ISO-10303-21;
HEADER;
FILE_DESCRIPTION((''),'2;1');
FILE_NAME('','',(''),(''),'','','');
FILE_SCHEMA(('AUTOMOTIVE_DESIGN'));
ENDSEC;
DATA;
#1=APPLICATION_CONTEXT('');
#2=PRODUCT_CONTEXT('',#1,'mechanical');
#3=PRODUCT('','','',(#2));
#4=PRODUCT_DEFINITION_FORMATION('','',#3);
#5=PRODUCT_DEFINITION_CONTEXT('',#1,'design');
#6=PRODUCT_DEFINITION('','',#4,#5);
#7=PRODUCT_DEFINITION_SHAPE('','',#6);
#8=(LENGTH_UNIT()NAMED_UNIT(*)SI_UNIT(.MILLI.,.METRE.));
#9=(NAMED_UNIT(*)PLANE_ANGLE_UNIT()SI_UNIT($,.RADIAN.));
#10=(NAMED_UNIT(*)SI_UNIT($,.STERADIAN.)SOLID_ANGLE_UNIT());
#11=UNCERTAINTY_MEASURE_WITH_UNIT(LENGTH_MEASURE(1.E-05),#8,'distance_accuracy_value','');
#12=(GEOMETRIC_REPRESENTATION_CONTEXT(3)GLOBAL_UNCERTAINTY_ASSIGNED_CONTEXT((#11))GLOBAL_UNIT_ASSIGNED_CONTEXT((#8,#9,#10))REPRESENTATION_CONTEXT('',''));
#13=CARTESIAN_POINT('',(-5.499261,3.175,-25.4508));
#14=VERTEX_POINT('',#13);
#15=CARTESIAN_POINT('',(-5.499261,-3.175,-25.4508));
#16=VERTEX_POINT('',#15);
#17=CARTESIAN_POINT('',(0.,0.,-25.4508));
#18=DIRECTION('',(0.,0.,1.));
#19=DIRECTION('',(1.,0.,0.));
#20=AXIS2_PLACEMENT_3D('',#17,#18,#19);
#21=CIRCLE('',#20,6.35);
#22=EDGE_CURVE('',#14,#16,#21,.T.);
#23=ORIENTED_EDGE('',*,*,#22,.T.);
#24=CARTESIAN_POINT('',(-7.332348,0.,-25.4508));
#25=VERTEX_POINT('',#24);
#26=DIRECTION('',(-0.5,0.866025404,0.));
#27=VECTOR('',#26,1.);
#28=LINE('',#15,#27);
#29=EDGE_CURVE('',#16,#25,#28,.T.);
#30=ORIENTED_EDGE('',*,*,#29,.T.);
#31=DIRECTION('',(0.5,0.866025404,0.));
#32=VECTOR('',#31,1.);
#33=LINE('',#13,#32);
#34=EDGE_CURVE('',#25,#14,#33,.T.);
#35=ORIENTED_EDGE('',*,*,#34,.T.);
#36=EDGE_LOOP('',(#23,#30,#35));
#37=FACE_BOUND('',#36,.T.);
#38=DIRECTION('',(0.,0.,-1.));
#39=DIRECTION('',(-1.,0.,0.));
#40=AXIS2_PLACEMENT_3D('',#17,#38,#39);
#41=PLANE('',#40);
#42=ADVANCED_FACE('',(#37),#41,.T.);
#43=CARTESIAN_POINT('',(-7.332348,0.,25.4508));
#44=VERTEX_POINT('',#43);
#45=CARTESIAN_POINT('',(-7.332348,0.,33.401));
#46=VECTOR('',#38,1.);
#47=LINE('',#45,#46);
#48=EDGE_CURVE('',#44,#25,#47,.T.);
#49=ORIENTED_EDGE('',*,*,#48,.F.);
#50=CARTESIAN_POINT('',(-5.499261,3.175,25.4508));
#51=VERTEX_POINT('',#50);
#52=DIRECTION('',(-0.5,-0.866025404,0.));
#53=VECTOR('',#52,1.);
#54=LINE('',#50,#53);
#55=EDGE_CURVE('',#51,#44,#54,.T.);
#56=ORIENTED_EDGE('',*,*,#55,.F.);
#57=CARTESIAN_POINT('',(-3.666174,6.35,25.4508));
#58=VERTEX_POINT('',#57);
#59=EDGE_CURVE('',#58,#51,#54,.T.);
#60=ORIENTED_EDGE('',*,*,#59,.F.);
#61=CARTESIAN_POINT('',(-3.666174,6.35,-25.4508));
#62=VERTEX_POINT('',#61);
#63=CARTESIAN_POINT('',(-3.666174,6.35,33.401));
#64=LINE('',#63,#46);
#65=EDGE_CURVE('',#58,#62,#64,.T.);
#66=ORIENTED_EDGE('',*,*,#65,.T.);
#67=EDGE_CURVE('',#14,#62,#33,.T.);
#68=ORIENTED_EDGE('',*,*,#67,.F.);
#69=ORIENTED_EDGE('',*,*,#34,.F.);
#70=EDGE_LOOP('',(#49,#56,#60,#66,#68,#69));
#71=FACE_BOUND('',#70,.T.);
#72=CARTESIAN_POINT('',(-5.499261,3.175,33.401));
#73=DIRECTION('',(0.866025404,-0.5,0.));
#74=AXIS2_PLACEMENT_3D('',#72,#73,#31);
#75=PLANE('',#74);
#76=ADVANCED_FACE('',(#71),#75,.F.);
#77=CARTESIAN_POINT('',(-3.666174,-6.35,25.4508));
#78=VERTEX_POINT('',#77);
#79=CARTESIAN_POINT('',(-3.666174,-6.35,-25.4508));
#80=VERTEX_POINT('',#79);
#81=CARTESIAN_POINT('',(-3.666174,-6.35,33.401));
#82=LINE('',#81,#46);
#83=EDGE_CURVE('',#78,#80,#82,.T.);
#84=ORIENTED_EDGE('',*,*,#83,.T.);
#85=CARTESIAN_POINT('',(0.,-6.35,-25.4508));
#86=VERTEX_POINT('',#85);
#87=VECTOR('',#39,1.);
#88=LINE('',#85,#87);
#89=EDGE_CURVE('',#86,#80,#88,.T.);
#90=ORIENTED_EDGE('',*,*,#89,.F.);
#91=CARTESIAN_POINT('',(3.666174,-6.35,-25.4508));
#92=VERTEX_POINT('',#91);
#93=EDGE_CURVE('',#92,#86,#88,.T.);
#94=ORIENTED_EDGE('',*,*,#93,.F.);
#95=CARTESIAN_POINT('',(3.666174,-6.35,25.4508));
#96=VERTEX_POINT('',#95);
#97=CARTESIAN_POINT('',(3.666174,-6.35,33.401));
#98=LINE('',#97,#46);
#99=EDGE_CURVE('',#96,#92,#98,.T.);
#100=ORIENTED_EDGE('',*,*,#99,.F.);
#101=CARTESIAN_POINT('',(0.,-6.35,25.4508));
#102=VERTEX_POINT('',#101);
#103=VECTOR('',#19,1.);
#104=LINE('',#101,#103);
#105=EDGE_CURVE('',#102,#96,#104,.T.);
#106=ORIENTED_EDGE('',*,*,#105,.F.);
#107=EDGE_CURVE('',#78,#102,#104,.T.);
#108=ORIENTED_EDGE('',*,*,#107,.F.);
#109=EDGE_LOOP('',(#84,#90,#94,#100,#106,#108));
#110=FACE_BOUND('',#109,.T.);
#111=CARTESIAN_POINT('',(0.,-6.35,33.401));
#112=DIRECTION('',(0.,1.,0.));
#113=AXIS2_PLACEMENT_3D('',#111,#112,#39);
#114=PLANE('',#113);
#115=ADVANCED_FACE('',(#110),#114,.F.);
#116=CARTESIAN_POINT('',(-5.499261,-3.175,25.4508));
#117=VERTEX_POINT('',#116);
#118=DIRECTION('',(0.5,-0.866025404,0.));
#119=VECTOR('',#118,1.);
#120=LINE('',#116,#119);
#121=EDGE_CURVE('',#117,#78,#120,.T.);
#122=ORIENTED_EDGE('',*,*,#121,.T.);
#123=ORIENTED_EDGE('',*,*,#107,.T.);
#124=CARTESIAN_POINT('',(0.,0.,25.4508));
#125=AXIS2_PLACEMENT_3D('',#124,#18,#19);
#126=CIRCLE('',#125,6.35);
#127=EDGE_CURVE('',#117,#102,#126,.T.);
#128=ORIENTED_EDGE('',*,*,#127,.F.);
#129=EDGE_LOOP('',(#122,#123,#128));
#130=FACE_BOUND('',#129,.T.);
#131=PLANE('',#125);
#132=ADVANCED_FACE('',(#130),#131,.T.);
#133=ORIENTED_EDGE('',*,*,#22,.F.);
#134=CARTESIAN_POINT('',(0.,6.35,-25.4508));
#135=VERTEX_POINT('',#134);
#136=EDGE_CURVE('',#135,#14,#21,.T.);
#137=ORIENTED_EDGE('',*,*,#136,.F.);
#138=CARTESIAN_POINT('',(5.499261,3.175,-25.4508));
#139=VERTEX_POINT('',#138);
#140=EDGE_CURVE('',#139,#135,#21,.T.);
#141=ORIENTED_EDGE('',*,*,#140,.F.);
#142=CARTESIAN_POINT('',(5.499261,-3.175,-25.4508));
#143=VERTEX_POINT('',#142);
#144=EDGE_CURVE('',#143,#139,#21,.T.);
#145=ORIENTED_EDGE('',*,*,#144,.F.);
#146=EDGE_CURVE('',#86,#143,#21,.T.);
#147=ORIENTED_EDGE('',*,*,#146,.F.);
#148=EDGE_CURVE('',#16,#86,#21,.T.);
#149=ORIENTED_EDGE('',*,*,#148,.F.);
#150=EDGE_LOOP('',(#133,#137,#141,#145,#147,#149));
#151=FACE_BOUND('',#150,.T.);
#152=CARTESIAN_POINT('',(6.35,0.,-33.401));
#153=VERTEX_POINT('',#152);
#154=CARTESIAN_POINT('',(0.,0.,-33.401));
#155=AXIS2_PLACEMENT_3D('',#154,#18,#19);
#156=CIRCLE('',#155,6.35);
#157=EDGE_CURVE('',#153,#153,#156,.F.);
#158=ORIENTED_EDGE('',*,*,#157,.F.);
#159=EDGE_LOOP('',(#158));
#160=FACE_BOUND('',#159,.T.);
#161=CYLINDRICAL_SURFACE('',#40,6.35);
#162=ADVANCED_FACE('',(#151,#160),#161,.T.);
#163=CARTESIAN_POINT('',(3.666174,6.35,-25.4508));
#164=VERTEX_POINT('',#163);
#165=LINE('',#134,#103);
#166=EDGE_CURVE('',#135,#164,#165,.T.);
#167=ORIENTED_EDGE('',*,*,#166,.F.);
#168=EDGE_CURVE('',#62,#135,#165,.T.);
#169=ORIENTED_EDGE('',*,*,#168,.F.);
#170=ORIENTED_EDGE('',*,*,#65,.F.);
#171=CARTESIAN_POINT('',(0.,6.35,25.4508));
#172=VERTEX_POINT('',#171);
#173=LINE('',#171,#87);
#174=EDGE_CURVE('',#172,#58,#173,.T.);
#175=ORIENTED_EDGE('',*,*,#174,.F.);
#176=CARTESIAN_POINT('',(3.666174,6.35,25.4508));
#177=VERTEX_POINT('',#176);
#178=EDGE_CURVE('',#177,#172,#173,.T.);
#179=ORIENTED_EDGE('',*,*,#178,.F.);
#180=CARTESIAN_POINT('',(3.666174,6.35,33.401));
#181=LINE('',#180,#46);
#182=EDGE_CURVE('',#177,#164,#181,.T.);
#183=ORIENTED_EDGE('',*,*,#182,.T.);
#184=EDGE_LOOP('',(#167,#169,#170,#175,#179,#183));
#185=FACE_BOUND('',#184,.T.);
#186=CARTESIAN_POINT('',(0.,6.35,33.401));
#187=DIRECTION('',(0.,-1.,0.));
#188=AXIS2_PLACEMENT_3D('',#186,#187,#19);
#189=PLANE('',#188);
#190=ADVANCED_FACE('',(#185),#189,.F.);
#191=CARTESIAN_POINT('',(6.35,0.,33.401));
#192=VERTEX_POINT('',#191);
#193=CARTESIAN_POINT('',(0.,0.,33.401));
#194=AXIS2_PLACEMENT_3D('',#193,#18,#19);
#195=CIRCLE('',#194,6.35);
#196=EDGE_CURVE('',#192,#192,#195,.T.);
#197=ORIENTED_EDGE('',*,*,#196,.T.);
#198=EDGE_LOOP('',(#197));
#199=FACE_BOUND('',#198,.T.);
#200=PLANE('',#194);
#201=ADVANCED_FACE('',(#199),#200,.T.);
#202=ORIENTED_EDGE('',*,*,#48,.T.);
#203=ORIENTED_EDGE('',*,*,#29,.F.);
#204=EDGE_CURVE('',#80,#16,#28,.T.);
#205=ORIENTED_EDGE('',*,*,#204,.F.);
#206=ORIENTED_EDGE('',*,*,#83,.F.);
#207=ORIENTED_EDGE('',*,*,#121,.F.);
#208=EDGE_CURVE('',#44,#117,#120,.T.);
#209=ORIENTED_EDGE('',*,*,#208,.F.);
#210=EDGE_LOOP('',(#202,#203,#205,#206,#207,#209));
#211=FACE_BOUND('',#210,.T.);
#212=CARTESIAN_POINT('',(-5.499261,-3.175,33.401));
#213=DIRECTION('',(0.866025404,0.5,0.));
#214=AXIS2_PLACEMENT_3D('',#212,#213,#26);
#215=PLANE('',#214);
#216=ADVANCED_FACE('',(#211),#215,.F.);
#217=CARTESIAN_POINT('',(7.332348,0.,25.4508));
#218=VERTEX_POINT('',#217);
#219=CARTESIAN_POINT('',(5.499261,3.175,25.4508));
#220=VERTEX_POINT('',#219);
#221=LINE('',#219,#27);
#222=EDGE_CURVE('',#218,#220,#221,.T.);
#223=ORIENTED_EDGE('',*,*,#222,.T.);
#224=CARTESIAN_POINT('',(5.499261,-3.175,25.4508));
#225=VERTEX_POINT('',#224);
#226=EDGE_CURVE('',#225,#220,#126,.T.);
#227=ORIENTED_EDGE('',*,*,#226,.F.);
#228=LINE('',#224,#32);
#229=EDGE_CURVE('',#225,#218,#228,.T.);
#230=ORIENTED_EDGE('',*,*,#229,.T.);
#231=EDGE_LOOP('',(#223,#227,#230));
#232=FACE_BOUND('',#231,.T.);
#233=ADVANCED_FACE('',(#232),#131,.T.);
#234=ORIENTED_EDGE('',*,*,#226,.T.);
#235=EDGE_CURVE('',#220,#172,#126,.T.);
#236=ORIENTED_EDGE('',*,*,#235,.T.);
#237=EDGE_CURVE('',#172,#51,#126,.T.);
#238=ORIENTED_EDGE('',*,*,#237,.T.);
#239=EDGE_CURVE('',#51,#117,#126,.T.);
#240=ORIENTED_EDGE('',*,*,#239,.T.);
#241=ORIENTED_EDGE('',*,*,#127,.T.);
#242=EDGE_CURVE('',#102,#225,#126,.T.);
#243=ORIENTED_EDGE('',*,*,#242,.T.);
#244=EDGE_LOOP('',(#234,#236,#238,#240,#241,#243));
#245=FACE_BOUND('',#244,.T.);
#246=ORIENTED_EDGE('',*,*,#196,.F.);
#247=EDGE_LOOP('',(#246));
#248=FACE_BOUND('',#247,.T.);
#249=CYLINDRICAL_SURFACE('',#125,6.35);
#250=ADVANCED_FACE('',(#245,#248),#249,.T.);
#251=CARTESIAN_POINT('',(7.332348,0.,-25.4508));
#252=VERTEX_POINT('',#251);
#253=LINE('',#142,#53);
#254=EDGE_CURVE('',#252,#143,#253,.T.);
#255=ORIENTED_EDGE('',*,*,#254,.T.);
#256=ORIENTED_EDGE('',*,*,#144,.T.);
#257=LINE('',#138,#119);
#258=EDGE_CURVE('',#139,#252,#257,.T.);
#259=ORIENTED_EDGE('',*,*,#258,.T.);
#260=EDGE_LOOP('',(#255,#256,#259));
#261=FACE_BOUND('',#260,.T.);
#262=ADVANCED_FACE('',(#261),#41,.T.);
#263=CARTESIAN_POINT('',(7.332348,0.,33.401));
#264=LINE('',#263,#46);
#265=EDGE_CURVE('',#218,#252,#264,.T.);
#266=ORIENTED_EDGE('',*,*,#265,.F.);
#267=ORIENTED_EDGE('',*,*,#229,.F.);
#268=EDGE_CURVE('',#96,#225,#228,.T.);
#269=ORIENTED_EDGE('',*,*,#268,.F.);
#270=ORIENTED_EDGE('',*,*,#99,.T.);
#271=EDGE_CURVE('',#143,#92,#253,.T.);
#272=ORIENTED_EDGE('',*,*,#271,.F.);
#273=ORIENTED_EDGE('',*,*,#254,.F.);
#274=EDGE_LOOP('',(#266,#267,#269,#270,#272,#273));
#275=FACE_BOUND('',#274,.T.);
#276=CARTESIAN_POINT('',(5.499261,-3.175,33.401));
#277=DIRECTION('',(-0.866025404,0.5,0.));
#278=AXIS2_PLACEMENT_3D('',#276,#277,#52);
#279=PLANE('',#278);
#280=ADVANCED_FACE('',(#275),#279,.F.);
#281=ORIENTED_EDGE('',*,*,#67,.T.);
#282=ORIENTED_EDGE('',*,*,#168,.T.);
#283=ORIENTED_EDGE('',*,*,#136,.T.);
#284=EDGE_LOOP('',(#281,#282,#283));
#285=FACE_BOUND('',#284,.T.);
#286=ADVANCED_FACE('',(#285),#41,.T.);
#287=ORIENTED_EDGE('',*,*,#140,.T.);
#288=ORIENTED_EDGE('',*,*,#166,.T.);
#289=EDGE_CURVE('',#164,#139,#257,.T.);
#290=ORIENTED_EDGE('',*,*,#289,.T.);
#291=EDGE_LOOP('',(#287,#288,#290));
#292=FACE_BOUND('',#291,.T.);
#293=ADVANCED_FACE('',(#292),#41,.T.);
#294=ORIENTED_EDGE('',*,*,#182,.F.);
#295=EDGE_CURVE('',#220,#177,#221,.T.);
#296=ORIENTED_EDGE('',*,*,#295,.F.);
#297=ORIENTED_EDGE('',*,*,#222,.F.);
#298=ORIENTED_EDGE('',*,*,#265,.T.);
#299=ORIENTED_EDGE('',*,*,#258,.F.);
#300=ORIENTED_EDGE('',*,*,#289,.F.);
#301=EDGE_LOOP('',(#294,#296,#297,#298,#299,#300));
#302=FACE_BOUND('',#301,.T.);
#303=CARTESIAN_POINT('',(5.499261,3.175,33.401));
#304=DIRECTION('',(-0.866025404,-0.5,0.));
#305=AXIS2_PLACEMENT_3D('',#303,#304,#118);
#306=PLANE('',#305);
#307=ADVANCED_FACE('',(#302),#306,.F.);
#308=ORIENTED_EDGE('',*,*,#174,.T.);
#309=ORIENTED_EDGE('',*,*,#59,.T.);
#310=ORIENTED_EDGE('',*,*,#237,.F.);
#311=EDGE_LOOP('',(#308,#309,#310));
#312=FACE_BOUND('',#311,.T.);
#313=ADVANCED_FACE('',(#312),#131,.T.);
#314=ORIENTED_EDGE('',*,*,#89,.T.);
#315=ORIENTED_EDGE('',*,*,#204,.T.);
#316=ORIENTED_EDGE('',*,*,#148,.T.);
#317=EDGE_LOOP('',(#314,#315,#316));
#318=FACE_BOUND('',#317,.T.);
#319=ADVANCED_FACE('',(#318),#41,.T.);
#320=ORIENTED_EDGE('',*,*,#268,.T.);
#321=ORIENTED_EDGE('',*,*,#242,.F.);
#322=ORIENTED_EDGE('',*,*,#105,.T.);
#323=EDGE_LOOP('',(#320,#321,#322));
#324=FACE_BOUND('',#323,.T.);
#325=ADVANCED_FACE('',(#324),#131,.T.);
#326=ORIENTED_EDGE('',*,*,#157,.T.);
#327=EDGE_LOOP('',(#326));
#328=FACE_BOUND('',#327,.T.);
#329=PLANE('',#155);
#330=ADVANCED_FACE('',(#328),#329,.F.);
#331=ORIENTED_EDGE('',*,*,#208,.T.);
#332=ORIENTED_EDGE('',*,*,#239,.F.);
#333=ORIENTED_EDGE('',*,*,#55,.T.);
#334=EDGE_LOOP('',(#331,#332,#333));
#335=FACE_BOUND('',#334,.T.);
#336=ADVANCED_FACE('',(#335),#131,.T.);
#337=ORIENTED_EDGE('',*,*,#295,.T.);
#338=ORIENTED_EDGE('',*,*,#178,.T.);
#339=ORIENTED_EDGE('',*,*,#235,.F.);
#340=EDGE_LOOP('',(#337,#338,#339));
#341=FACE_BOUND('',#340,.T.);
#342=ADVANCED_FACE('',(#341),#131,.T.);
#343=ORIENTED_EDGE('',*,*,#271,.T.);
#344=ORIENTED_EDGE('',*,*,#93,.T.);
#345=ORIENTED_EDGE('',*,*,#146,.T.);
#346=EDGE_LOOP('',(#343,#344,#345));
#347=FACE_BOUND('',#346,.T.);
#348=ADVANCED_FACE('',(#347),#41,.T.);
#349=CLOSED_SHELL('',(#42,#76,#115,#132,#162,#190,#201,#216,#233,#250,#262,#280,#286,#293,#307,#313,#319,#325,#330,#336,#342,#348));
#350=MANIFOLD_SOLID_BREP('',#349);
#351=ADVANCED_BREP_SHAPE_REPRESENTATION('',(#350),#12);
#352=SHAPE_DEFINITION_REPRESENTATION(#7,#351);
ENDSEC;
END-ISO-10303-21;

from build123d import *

# Parameters (mm, degrees)
BOSS_EXTRUDE1_DEPTH = 33.401
SKETCH4_OUTSIDE_W   = 30.576
SKETCH4_OUTSIDE_H   = 28.612
SKETCH4_OUTSIDE_R   = 6.35
CUT_EXTRUDE2_DEPTH  = 7.9502


with BuildPart() as part:
    # Sketch1 → Boss-Extrude1 (new, symmetric)
    with BuildSketch(Plane.XY):
        Polygon((7.332348419, 0), (3.666174209, 6.35), (-3.666174209, 6.35), (-7.332348419, 0), (-3.666174209, -6.35), (3.666174209, -6.35), align=None)
    extrude(amount=BOSS_EXTRUDE1_DEPTH, both=True)

    # Sketch4 outside → Cut-Extrude2 (cut)
    with BuildSketch(Plane.XY.offset(33.401)):
        Rectangle(SKETCH4_OUTSIDE_W, SKETCH4_OUTSIDE_H)
        Circle(SKETCH4_OUTSIDE_R, mode=Mode.SUBTRACT)
    cut_extrude2 = extrude(amount=-CUT_EXTRUDE2_DEPTH, mode=Mode.SUBTRACT)

    # Mirror1: Cut-Extrude2 across plane
    add(cut_extrude2.mirror(Plane.XY), mode=Mode.SUBTRACT)


solid = part.part
